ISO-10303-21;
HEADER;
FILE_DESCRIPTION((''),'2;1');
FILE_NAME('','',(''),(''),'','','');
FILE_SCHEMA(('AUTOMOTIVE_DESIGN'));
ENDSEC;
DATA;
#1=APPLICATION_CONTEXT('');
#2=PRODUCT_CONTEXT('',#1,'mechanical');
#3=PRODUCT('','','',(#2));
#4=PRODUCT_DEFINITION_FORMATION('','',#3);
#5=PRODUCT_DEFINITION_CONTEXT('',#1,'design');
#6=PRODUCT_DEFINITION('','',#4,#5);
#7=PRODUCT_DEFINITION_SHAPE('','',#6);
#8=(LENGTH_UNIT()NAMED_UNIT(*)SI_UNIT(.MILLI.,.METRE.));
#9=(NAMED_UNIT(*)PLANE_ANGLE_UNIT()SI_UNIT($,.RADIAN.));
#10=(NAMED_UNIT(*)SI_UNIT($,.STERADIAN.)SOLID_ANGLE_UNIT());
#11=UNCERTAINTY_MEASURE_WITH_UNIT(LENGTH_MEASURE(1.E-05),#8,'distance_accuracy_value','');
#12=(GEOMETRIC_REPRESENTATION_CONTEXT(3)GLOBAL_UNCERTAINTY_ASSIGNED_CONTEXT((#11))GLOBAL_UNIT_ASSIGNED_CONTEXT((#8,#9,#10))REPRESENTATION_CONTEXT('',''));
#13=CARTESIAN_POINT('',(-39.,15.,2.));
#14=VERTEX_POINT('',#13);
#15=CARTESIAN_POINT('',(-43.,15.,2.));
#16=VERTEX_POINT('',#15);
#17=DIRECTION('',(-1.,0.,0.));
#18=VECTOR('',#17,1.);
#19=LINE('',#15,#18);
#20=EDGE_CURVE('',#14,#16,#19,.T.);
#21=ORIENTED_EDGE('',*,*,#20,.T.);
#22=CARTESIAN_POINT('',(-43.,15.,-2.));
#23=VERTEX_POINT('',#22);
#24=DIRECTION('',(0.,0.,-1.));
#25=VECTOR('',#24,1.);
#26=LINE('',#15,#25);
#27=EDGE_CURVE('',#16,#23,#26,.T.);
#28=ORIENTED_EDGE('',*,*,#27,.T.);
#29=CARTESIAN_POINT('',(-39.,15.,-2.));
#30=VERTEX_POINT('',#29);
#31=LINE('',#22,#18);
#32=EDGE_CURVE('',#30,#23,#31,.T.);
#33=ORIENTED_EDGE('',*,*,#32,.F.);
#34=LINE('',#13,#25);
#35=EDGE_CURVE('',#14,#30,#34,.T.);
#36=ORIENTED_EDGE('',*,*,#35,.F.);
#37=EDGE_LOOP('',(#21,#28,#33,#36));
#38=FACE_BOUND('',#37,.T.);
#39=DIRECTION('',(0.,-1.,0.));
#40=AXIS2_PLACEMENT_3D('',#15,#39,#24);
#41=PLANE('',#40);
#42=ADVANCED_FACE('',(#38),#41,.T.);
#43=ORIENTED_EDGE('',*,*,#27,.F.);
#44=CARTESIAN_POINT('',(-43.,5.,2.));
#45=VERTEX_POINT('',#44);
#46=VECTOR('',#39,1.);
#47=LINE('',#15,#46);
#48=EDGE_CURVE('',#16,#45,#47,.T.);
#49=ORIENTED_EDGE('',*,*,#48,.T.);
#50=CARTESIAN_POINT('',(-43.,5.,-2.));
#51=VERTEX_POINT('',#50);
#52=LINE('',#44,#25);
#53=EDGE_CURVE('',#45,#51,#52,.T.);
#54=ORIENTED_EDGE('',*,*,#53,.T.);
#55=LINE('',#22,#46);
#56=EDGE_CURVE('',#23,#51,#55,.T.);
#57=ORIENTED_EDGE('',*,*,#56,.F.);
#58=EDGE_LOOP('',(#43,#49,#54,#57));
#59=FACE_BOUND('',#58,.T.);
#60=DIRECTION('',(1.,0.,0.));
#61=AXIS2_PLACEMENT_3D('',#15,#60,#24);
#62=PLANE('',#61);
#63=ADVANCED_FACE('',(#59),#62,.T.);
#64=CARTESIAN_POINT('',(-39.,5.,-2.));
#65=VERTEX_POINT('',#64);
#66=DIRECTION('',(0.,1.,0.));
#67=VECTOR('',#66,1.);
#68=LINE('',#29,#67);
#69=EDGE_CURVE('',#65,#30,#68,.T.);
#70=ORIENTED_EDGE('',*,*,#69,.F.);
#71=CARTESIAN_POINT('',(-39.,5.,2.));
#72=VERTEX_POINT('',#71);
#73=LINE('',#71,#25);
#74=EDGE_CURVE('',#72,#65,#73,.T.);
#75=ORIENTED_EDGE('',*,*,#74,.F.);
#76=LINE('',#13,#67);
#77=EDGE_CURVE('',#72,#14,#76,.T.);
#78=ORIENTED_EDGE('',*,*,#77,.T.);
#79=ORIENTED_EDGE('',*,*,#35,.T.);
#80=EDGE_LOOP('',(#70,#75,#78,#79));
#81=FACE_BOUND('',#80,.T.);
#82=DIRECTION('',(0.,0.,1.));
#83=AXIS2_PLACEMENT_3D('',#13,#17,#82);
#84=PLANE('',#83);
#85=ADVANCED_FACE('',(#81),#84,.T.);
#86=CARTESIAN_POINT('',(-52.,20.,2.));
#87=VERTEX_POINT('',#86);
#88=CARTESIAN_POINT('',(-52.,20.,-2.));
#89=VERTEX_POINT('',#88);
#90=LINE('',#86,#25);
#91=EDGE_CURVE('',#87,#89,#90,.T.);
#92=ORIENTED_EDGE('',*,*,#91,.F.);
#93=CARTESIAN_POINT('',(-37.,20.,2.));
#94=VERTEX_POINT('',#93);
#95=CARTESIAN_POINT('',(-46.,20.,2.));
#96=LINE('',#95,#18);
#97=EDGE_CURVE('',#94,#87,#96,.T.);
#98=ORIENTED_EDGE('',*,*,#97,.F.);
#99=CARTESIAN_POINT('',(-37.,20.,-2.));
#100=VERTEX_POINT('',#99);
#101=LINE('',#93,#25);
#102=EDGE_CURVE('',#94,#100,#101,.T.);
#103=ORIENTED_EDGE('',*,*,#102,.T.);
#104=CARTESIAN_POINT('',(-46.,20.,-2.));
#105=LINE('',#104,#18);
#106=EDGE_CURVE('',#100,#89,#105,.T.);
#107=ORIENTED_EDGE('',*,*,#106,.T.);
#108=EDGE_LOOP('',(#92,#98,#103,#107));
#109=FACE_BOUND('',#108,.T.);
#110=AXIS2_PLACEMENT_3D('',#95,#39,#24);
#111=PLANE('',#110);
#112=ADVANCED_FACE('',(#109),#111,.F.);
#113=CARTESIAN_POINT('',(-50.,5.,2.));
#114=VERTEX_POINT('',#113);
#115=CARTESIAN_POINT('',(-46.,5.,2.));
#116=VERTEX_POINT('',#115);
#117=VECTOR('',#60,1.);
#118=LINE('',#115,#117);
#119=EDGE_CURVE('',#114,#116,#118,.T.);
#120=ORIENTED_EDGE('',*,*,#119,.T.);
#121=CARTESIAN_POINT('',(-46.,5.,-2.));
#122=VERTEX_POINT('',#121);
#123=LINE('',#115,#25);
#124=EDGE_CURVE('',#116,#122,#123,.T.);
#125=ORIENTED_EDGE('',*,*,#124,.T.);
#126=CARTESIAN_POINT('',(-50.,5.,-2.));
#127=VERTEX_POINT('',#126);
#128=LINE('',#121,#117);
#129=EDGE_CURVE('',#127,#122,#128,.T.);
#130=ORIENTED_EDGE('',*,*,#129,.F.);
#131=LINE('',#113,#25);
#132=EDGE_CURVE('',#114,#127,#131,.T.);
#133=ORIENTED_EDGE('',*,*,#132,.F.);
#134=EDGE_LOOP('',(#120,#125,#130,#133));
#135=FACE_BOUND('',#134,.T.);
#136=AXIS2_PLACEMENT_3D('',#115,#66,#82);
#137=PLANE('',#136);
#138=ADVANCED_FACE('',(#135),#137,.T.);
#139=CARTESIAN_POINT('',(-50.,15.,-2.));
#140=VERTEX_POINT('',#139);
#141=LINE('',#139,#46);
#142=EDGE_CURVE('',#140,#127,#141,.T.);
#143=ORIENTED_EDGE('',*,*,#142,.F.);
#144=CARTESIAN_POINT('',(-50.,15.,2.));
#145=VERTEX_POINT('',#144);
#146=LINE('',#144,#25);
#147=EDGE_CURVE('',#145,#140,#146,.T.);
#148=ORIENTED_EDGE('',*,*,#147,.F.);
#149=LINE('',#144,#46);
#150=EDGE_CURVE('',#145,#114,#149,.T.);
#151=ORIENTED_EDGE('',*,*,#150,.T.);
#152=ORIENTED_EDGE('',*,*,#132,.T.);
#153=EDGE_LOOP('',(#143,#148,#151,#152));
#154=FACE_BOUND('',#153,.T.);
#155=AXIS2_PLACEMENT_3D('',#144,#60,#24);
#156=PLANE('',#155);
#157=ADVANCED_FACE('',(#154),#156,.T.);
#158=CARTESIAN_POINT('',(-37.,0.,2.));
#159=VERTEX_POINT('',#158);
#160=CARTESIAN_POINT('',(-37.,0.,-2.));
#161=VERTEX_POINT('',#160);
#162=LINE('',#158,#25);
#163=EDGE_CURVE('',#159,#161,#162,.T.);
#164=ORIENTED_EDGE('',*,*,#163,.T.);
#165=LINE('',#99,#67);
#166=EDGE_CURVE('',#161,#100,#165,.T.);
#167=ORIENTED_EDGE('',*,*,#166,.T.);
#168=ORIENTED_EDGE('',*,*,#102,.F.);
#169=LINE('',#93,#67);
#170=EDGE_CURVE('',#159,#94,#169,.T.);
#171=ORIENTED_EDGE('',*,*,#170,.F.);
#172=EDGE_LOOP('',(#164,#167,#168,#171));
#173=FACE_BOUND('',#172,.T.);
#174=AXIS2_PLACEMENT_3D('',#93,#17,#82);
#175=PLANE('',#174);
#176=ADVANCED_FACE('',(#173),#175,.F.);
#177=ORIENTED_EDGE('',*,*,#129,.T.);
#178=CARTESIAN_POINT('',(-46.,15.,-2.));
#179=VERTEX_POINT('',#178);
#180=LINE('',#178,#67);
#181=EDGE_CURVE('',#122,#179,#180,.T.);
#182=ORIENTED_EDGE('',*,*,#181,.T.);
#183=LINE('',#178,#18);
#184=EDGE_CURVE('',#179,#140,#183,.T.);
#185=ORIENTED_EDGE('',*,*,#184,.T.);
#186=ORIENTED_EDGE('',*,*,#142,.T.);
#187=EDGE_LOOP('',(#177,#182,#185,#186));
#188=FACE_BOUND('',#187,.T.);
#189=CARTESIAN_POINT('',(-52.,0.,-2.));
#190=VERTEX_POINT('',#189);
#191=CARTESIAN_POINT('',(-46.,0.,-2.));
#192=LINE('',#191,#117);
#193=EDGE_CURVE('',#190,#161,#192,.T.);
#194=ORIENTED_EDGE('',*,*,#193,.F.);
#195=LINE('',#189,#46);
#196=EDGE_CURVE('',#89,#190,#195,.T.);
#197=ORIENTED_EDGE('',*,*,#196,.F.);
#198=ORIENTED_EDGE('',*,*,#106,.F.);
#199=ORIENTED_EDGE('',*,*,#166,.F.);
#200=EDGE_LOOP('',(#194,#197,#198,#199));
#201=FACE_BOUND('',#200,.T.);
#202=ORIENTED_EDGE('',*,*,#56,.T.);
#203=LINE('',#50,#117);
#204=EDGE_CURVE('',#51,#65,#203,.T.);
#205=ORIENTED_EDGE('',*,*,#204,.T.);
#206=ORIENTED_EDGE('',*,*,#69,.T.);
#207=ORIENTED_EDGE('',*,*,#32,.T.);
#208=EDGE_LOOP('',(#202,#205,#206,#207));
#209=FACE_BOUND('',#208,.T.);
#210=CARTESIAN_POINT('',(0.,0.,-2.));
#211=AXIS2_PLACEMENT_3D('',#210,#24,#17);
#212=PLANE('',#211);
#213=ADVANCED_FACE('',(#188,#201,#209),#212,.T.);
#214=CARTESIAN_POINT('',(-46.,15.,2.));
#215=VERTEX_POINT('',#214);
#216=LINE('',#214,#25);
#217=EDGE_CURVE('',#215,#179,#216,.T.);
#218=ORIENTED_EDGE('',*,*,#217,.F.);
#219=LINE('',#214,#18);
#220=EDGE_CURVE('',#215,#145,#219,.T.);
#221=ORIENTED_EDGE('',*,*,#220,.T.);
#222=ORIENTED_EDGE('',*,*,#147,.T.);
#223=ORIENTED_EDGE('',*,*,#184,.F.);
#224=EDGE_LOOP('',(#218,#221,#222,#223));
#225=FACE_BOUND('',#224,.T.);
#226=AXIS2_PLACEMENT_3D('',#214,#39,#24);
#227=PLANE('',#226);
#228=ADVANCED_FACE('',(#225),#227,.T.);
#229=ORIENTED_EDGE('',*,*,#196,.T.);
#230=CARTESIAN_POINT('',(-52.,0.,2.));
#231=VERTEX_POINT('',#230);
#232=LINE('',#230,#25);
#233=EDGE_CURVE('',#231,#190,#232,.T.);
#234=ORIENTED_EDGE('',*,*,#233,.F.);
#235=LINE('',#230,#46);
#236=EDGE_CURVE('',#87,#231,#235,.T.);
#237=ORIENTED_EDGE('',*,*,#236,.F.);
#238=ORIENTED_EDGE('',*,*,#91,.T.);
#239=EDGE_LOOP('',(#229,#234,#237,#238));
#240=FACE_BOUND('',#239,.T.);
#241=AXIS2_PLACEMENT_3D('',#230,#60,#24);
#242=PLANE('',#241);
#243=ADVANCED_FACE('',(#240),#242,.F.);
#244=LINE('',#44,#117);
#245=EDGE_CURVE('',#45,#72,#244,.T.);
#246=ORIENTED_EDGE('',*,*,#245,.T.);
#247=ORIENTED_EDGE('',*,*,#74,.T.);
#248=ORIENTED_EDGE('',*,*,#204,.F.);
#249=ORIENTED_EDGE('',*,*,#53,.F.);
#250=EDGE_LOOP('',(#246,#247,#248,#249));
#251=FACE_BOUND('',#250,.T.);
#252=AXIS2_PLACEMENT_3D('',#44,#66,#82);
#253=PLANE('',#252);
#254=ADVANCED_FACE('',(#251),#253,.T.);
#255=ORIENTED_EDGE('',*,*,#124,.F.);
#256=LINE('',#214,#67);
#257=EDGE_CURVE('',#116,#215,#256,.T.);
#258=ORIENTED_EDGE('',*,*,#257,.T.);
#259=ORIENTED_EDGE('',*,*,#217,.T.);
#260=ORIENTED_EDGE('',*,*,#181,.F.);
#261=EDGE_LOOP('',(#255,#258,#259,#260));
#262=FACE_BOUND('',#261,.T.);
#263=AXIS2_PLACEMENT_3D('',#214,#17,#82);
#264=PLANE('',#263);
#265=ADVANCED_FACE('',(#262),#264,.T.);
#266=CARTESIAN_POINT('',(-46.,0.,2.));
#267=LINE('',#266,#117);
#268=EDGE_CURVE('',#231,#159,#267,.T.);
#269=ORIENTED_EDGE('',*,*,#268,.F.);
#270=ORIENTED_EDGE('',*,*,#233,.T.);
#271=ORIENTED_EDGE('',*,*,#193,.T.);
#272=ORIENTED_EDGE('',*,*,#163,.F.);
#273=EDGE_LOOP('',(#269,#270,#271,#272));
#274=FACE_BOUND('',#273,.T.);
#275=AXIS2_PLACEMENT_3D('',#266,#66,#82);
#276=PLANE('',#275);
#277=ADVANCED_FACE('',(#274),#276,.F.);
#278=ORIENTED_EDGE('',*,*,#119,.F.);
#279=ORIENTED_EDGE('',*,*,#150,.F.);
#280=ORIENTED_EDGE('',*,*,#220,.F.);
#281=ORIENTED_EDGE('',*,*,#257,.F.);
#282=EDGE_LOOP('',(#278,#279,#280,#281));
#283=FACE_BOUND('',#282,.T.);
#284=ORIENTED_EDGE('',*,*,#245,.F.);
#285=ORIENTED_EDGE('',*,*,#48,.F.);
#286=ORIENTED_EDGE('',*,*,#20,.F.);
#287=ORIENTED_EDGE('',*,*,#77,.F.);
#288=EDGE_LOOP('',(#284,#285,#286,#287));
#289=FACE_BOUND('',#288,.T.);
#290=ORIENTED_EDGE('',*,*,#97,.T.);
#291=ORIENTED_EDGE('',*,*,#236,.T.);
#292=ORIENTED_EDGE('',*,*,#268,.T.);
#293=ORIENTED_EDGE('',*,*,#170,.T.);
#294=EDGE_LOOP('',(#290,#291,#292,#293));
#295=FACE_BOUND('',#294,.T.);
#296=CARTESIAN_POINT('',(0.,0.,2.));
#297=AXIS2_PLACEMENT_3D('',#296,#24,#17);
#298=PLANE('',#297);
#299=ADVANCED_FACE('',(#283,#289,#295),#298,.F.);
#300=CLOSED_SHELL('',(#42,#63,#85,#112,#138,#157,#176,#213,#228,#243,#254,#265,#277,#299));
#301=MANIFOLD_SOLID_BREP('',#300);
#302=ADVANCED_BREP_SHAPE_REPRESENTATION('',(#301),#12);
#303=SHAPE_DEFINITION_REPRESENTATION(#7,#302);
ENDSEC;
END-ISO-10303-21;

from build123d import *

# Parameters (mm, degrees)
SKETCH_1_W      = 4
SKETCH_1_H      = 10
EXTRUDE_1_DEPTH = 2


with BuildPart() as part:
    # 草图1 → 凸台-拉伸1 (new, symmetric)
    with BuildSketch(Plane.XY):
        Polygon((-46, 0), (-37, 0), (-37, 20), (-46, 20), (-52, 20), (-52, 0), align=None)
        with Locations((-48, 10)):
            Rectangle(SKETCH_1_W, SKETCH_1_H, mode=Mode.SUBTRACT)
        with Locations((-41, 10)):
            Rectangle(SKETCH_1_W, SKETCH_1_H, mode=Mode.SUBTRACT)
    extrude(amount=EXTRUDE_1_DEPTH, both=True)


solid = part.part
